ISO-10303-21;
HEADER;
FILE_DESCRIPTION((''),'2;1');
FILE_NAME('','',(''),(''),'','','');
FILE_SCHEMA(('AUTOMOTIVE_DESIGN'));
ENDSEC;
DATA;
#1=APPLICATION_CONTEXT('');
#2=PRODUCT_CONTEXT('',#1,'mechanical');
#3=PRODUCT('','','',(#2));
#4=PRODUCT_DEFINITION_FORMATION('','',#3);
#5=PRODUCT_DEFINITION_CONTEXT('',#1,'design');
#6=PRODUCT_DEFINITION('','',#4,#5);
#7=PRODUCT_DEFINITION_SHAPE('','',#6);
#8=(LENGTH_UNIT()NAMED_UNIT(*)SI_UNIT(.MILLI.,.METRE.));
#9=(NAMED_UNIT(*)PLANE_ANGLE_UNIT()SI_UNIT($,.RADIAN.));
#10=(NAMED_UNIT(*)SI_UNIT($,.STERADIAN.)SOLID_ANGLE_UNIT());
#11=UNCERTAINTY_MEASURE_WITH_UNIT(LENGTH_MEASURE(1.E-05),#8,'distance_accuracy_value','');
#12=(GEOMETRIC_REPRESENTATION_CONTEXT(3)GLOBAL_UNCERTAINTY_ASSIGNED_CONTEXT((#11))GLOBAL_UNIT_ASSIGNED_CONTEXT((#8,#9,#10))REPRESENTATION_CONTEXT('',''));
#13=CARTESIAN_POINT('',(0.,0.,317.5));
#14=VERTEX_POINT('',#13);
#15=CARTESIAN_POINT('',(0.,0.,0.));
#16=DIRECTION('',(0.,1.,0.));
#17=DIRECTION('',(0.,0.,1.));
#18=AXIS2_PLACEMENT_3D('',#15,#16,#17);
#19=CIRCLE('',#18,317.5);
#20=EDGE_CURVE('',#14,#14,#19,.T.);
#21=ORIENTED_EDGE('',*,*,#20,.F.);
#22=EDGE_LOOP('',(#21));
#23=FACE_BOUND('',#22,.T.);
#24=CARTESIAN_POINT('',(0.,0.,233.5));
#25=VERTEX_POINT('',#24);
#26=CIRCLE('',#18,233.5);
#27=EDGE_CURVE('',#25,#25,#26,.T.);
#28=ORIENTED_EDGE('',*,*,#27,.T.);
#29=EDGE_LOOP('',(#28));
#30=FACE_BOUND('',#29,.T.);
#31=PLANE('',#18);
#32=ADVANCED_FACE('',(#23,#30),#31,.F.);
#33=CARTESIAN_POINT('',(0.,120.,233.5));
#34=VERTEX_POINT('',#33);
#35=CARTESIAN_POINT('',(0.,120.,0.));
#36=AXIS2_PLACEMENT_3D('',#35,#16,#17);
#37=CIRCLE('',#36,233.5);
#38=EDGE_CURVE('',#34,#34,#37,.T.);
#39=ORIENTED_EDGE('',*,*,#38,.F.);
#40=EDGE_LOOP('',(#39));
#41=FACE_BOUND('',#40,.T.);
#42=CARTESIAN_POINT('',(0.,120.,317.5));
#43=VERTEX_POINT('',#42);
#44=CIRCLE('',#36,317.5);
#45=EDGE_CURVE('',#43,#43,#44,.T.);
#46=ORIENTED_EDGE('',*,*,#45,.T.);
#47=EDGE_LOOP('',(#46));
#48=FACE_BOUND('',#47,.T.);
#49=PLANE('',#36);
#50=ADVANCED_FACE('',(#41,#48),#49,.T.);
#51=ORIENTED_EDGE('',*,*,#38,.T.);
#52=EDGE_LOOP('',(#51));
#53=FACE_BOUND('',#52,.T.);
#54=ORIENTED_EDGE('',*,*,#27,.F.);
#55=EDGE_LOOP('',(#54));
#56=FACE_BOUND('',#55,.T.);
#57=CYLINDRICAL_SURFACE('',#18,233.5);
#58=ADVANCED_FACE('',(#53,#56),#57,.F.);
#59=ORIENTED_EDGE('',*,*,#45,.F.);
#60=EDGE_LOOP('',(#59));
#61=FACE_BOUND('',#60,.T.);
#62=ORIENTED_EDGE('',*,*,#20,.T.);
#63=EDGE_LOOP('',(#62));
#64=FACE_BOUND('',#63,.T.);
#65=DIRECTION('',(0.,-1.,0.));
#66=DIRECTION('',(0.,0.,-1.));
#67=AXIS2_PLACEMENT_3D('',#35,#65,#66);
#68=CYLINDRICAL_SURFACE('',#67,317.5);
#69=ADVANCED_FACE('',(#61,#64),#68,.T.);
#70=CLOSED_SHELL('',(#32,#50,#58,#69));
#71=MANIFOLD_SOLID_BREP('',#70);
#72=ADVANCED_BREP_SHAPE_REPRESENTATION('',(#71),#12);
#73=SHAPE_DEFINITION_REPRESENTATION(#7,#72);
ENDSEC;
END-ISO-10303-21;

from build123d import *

# Parameters (mm, degrees)
SKETCH1_R           = 317.5
BOSS_EXTRUDE1_DEPTH = 120
SKETCH2_R           = 233.5
CUT_EXTRUDE1_DEPTH  = 121


with BuildPart() as part:
    # Sketch1 → Boss-Extrude1 (new body)
    with BuildSketch(Plane(origin=(0, 0, 0), x_dir=(1, 0, 0), z_dir=(0, 1, 0))):
        Circle(SKETCH1_R)
    extrude(amount=BOSS_EXTRUDE1_DEPTH)

    # Sketch2 → Cut-Extrude1 (cut, through all)
    with BuildSketch(Plane(origin=(0, 120, 0), x_dir=(1, 0, 0), z_dir=(0, 1, 0))):
        Circle(SKETCH2_R)
    extrude(amount=-CUT_EXTRUDE1_DEPTH, mode=Mode.SUBTRACT)


solid = part.part
